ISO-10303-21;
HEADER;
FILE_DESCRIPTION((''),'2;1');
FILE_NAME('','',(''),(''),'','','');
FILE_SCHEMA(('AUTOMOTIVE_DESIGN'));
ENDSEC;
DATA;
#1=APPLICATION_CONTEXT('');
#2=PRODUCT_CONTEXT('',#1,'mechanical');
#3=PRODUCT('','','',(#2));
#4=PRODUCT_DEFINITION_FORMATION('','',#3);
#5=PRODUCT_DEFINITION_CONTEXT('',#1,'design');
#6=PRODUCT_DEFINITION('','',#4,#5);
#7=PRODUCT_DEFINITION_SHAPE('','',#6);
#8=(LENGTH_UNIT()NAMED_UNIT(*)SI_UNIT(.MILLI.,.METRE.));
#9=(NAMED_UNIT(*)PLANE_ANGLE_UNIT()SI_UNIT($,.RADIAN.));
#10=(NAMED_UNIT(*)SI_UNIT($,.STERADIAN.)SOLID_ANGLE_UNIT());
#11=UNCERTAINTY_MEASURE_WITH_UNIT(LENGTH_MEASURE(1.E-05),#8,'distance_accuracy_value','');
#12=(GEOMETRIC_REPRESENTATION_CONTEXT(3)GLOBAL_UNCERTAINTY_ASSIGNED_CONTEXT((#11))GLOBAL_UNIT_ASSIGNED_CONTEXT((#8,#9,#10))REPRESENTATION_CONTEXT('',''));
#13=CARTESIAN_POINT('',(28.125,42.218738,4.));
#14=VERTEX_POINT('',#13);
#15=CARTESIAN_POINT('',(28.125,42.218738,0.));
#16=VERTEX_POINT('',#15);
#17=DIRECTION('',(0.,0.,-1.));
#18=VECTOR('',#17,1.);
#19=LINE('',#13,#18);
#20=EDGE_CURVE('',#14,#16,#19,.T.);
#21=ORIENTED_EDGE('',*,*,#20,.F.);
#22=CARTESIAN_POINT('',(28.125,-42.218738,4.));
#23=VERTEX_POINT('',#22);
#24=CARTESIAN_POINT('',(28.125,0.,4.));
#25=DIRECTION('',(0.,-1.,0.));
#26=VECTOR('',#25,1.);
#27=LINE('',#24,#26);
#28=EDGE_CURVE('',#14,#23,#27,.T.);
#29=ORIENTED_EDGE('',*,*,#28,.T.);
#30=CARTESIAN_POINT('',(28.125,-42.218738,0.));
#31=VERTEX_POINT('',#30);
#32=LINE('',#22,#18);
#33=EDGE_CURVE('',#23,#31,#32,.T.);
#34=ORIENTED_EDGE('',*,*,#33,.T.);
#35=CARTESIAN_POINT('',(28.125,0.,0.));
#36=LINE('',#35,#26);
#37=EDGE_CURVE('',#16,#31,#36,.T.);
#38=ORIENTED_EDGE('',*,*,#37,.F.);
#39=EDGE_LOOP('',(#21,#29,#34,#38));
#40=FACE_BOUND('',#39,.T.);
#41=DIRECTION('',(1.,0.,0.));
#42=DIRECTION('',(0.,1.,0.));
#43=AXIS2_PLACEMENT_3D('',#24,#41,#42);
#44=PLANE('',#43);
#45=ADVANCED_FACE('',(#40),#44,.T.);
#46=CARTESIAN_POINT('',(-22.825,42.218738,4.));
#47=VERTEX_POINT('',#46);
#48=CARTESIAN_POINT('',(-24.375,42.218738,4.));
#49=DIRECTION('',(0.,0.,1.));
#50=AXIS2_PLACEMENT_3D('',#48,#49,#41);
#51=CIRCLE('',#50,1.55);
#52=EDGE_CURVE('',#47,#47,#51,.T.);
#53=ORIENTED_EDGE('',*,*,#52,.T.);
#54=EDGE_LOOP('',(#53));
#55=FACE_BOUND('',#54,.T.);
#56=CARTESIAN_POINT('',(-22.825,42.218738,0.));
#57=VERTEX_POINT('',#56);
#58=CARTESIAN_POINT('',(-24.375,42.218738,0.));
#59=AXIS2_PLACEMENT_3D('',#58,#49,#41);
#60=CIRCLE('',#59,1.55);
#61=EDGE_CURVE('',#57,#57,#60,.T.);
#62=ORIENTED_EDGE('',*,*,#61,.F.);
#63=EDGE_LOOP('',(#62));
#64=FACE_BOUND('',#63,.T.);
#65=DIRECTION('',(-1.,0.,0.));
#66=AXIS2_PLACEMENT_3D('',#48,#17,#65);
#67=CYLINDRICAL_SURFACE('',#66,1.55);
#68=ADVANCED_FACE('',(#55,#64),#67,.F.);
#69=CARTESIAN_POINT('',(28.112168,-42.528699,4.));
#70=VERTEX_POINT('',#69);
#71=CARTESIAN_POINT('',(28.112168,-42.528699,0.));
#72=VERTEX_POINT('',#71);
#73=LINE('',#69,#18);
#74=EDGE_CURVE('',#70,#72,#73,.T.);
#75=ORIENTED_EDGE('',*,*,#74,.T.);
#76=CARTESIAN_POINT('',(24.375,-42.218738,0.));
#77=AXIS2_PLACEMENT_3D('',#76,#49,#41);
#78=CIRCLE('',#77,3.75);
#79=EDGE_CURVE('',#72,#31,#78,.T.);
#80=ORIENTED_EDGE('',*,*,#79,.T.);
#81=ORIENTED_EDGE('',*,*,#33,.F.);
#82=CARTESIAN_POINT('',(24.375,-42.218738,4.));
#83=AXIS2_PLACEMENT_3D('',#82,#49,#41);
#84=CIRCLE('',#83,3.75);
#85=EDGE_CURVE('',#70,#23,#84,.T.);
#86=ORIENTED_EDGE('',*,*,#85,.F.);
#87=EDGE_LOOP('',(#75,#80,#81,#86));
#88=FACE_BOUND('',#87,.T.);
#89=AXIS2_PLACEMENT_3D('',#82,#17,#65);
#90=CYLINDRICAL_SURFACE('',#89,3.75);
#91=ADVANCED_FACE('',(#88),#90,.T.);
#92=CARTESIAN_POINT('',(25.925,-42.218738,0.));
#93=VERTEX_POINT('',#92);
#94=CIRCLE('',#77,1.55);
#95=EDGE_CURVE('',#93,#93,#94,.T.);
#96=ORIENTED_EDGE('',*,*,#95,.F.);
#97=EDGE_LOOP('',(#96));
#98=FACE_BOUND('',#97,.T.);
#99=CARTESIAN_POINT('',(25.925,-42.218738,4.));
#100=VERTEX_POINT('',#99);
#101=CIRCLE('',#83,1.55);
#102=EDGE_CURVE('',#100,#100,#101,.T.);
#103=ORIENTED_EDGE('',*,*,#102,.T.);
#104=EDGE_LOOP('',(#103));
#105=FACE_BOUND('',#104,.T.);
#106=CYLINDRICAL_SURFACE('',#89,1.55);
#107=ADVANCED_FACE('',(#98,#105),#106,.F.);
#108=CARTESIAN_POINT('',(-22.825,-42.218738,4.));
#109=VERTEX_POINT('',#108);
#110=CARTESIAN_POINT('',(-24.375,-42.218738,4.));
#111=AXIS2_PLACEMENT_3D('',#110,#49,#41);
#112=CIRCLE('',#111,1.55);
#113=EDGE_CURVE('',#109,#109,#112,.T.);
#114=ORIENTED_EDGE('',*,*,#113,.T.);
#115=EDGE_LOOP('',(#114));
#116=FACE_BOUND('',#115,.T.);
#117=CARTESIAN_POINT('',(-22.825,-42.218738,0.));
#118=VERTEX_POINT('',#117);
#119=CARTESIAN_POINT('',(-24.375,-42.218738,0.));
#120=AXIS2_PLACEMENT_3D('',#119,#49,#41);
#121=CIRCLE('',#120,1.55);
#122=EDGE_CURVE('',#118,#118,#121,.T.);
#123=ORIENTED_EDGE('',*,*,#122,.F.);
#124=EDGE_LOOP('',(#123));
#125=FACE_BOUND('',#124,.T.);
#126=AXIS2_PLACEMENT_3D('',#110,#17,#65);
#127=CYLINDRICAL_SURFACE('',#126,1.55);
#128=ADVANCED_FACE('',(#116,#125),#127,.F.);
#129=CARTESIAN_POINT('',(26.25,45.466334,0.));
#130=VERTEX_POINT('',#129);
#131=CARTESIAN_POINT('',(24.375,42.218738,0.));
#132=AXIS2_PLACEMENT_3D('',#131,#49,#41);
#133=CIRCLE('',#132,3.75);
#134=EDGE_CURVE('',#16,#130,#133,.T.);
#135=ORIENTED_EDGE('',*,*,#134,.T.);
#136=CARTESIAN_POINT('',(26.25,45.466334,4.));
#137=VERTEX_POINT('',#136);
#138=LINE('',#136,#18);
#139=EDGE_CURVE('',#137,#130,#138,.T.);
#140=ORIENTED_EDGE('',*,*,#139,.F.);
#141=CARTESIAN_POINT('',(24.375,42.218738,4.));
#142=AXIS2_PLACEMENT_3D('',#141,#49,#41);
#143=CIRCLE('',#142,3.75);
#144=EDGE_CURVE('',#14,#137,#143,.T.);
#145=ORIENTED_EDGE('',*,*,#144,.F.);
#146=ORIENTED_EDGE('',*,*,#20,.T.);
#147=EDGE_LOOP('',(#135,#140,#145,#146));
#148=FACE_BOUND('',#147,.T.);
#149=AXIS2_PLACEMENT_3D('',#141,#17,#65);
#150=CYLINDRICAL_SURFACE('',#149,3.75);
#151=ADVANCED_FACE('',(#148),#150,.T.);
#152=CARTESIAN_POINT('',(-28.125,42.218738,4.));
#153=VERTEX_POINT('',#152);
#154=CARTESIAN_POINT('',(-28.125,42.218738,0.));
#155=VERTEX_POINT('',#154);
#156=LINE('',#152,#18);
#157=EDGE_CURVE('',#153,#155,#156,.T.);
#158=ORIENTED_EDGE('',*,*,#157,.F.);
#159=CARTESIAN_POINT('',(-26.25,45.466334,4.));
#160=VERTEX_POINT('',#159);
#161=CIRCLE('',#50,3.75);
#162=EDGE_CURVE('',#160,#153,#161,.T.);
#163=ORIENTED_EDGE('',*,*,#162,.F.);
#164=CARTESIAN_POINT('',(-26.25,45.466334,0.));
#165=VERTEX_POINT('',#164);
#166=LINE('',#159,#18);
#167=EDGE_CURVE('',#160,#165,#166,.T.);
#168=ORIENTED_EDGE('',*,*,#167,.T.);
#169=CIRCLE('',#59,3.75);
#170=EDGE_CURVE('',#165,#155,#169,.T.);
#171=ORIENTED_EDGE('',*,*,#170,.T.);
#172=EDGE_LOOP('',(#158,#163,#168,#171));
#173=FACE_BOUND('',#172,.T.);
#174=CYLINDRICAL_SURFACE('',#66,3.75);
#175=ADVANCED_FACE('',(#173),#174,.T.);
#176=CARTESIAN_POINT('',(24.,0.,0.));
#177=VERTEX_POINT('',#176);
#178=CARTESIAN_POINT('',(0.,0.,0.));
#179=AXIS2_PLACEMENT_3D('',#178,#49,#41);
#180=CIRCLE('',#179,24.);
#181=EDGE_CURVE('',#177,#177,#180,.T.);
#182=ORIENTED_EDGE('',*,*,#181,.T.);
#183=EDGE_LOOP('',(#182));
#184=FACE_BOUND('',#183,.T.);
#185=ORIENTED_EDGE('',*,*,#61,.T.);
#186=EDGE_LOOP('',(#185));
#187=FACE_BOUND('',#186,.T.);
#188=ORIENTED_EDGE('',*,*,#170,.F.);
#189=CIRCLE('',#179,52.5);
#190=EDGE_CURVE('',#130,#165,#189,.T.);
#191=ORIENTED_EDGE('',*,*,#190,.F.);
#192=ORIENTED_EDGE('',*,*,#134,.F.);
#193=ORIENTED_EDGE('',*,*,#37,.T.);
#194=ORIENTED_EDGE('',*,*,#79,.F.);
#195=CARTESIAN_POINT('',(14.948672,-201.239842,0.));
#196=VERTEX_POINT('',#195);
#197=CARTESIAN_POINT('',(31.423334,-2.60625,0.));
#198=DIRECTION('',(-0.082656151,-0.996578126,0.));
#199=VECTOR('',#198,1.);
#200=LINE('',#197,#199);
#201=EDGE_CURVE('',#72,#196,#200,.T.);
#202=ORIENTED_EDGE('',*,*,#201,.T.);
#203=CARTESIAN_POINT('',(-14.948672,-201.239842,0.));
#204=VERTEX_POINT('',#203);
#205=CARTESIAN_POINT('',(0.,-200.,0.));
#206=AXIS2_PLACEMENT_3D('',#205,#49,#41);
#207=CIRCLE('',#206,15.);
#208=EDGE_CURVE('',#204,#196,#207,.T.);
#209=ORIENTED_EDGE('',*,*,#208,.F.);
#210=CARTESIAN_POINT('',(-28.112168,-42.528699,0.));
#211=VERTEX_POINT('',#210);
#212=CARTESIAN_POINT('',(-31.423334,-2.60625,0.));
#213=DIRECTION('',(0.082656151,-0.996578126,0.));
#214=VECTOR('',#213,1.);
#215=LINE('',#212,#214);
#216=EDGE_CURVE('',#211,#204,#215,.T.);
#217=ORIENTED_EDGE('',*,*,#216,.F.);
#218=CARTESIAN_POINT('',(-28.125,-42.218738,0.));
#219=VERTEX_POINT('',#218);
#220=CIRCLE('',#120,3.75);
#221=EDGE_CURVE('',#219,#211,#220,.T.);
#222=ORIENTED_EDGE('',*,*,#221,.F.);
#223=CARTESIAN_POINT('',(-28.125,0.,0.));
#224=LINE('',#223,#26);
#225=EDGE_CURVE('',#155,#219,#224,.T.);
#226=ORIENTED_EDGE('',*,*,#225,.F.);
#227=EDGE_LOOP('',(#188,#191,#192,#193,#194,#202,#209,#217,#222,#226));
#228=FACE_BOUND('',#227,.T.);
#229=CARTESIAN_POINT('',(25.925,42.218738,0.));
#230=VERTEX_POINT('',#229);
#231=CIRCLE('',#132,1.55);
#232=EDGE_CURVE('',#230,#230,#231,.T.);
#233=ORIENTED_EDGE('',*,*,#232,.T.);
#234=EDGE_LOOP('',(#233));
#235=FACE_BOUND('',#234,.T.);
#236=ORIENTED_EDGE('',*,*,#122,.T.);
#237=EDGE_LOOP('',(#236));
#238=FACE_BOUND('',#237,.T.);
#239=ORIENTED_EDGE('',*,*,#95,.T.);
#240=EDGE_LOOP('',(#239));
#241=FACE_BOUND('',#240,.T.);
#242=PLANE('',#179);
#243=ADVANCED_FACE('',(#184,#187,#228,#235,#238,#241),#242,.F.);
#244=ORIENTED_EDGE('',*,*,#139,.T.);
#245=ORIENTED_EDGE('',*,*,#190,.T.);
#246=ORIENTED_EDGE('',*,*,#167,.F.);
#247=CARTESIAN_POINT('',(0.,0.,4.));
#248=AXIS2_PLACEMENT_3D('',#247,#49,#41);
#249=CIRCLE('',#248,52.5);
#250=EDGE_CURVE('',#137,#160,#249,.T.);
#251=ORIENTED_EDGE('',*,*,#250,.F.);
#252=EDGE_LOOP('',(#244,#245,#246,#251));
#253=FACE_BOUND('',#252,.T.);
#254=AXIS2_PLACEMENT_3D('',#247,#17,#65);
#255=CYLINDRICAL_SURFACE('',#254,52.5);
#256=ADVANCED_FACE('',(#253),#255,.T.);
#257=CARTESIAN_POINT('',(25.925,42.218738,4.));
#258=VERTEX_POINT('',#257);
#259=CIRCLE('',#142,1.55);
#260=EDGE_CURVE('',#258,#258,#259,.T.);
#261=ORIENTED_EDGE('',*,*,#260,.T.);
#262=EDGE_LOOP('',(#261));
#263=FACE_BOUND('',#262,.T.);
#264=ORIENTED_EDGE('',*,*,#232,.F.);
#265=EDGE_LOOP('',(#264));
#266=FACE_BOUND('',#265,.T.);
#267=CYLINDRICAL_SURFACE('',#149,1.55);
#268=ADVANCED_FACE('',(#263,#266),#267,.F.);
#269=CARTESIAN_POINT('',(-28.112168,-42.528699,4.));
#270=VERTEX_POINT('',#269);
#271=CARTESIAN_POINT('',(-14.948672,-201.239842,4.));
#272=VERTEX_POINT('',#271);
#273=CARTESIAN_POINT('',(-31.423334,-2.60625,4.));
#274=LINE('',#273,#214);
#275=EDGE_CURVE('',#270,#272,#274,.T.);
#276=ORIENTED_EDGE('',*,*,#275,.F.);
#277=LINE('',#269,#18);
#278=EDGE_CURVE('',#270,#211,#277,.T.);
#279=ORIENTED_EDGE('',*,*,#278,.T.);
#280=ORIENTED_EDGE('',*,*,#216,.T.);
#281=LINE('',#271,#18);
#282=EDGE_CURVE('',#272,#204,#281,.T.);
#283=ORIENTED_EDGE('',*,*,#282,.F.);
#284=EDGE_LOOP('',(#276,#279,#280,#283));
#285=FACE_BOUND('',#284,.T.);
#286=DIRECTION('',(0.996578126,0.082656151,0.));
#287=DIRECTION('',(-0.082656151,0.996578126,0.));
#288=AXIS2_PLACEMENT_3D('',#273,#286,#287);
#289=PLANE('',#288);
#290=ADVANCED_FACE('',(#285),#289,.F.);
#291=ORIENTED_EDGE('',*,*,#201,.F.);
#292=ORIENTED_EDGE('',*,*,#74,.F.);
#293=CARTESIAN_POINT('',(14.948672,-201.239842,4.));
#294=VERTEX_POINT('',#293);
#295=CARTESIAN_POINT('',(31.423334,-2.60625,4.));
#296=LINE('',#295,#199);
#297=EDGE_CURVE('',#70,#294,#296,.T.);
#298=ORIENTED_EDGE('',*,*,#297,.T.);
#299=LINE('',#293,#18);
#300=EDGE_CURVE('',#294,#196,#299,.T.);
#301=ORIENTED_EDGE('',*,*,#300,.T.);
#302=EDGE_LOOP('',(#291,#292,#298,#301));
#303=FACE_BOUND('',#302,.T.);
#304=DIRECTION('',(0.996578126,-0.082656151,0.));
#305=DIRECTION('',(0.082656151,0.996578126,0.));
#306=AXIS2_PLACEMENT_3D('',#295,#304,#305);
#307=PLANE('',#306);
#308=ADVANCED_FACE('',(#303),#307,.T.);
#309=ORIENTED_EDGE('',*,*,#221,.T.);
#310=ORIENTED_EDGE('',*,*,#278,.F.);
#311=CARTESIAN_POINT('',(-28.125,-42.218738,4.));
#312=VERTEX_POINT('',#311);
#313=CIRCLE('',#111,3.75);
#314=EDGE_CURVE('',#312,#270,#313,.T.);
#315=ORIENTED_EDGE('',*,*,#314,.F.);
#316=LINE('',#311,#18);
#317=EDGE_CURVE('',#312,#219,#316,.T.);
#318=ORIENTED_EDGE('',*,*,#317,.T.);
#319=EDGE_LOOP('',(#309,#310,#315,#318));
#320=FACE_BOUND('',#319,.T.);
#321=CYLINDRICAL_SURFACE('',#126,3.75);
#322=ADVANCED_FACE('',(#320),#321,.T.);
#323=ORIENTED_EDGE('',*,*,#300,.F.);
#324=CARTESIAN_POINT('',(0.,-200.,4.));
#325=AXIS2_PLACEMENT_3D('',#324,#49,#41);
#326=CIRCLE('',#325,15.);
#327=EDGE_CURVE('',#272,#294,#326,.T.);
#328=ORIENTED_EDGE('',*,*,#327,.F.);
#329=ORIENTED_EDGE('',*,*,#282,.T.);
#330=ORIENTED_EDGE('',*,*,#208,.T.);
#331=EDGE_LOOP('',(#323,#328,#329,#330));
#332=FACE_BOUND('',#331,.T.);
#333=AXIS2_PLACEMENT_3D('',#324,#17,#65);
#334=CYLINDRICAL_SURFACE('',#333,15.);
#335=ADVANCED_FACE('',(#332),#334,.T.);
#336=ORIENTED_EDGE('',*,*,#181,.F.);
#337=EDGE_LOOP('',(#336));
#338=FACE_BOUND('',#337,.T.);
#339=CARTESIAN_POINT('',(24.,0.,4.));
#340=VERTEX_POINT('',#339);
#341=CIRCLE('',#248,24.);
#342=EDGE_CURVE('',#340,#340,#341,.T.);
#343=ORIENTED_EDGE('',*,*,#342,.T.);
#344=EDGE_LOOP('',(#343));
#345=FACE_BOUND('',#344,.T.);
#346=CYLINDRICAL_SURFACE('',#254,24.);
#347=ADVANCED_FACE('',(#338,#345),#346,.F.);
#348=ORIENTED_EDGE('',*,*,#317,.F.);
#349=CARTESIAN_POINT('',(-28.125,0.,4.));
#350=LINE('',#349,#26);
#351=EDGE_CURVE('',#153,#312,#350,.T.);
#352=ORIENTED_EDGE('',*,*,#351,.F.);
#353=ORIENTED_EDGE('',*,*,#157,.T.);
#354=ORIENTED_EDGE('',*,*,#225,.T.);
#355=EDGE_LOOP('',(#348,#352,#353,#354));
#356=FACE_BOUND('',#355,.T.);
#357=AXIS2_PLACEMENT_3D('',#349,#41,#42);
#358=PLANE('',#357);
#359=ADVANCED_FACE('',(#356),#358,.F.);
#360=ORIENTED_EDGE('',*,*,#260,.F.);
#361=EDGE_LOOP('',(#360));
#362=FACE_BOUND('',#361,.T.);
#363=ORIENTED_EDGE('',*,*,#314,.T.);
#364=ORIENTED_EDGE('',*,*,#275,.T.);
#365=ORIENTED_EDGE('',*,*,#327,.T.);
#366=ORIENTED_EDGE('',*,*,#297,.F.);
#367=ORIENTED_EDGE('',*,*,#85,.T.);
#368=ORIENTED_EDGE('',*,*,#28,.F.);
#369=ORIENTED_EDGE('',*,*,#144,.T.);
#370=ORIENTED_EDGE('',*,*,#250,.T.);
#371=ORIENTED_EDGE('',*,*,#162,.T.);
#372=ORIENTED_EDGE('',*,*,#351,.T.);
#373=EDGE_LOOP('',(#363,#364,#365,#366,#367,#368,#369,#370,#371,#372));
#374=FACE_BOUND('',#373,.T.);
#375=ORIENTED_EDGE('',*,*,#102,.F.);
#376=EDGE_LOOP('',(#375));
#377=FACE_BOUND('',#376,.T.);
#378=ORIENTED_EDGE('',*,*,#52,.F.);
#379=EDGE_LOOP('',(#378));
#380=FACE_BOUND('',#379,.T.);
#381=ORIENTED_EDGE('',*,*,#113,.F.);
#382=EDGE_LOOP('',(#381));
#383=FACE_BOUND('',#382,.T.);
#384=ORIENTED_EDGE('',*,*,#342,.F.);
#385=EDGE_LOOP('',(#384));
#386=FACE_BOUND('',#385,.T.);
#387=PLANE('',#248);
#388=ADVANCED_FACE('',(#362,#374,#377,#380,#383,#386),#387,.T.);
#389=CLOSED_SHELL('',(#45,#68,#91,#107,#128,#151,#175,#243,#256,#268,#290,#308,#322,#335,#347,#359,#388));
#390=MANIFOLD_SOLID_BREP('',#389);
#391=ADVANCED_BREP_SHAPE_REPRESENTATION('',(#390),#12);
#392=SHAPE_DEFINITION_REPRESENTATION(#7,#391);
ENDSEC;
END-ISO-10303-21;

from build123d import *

# Parameters (mm, degrees)
SKETCH1_R           = 1.55
SKETCH1_R_2         = 24
BOSS_EXTRUDE1_DEPTH = 4
BOSS_EXTRUDE2_DEPTH = 4


with BuildPart() as part:
    # Sketch1 → Boss-Extrude1 (new body)
    with BuildSketch(Plane.XY):
        with BuildLine():
            ThreePointArc((-26.25, 45.466333699), (-27.622595264, 44.093738434), (-28.125, 42.218738434))
            Line((-28.125, 42.218738434), (-28.125, -42.218738434))
            ThreePointArc((-28.125, -42.218738434), (-28.12179062, -42.373851469), (-28.112167971, -42.528699002))
            ThreePointArc((-28.112167971, -42.528699002), (-27.542259342, -44.226465573), (-26.25, -45.466333699))
            ThreePointArc((-26.25, -45.466333699), (0, -52.5), (26.25, -45.466333699))
            ThreePointArc((26.25, -45.466333699), (27.542259342, -44.226465573), (28.112167971, -42.528699002))
            ThreePointArc((28.112167971, -42.528699002), (28.12179062, -42.373851469), (28.125, -42.218738434))
            Line((28.125, -42.218738434), (28.125, 42.218738434))
            ThreePointArc((28.125, 42.218738434), (27.622595264, 44.093738434), (26.25, 45.466333699))
            ThreePointArc((26.25, 45.466333699), (0, 52.5), (-26.25, 45.466333699))
        make_face()
        with Locations((-24.375, -42.218738434)):
            Circle(SKETCH1_R, mode=Mode.SUBTRACT)
        with Locations((-24.375, 42.218738434)):
            Circle(SKETCH1_R, mode=Mode.SUBTRACT)
        Circle(SKETCH1_R_2, mode=Mode.SUBTRACT)
        with Locations((24.375, -42.218738434)):
            Circle(SKETCH1_R, mode=Mode.SUBTRACT)
        with Locations((24.375, 42.218738434)):
            Circle(SKETCH1_R, mode=Mode.SUBTRACT)
    extrude(amount=BOSS_EXTRUDE1_DEPTH)

    # Sketch1<4> → Boss-Extrude2 (add)
    with BuildSketch(Plane.XY):
        with BuildLine():
            ThreePointArc((-26.25, -45.466333699), (-27.542259342, -44.226465573), (-28.112167971, -42.528699002))
            Line((-28.112167971, -42.528699002), (-14.948671886, -201.239842268))
            ThreePointArc((-14.948671886, -201.239842268), (0, -215), (14.948671886, -201.239842268))
            Line((14.948671886, -201.239842268), (28.112167971, -42.528699002))
            ThreePointArc((28.112167971, -42.528699002), (27.542259342, -44.226465573), (26.25, -45.466333699))
            ThreePointArc((26.25, -45.466333699), (0, -52.5), (-26.25, -45.466333699))
        make_face()
    extrude(amount=BOSS_EXTRUDE2_DEPTH)


solid = part.part
